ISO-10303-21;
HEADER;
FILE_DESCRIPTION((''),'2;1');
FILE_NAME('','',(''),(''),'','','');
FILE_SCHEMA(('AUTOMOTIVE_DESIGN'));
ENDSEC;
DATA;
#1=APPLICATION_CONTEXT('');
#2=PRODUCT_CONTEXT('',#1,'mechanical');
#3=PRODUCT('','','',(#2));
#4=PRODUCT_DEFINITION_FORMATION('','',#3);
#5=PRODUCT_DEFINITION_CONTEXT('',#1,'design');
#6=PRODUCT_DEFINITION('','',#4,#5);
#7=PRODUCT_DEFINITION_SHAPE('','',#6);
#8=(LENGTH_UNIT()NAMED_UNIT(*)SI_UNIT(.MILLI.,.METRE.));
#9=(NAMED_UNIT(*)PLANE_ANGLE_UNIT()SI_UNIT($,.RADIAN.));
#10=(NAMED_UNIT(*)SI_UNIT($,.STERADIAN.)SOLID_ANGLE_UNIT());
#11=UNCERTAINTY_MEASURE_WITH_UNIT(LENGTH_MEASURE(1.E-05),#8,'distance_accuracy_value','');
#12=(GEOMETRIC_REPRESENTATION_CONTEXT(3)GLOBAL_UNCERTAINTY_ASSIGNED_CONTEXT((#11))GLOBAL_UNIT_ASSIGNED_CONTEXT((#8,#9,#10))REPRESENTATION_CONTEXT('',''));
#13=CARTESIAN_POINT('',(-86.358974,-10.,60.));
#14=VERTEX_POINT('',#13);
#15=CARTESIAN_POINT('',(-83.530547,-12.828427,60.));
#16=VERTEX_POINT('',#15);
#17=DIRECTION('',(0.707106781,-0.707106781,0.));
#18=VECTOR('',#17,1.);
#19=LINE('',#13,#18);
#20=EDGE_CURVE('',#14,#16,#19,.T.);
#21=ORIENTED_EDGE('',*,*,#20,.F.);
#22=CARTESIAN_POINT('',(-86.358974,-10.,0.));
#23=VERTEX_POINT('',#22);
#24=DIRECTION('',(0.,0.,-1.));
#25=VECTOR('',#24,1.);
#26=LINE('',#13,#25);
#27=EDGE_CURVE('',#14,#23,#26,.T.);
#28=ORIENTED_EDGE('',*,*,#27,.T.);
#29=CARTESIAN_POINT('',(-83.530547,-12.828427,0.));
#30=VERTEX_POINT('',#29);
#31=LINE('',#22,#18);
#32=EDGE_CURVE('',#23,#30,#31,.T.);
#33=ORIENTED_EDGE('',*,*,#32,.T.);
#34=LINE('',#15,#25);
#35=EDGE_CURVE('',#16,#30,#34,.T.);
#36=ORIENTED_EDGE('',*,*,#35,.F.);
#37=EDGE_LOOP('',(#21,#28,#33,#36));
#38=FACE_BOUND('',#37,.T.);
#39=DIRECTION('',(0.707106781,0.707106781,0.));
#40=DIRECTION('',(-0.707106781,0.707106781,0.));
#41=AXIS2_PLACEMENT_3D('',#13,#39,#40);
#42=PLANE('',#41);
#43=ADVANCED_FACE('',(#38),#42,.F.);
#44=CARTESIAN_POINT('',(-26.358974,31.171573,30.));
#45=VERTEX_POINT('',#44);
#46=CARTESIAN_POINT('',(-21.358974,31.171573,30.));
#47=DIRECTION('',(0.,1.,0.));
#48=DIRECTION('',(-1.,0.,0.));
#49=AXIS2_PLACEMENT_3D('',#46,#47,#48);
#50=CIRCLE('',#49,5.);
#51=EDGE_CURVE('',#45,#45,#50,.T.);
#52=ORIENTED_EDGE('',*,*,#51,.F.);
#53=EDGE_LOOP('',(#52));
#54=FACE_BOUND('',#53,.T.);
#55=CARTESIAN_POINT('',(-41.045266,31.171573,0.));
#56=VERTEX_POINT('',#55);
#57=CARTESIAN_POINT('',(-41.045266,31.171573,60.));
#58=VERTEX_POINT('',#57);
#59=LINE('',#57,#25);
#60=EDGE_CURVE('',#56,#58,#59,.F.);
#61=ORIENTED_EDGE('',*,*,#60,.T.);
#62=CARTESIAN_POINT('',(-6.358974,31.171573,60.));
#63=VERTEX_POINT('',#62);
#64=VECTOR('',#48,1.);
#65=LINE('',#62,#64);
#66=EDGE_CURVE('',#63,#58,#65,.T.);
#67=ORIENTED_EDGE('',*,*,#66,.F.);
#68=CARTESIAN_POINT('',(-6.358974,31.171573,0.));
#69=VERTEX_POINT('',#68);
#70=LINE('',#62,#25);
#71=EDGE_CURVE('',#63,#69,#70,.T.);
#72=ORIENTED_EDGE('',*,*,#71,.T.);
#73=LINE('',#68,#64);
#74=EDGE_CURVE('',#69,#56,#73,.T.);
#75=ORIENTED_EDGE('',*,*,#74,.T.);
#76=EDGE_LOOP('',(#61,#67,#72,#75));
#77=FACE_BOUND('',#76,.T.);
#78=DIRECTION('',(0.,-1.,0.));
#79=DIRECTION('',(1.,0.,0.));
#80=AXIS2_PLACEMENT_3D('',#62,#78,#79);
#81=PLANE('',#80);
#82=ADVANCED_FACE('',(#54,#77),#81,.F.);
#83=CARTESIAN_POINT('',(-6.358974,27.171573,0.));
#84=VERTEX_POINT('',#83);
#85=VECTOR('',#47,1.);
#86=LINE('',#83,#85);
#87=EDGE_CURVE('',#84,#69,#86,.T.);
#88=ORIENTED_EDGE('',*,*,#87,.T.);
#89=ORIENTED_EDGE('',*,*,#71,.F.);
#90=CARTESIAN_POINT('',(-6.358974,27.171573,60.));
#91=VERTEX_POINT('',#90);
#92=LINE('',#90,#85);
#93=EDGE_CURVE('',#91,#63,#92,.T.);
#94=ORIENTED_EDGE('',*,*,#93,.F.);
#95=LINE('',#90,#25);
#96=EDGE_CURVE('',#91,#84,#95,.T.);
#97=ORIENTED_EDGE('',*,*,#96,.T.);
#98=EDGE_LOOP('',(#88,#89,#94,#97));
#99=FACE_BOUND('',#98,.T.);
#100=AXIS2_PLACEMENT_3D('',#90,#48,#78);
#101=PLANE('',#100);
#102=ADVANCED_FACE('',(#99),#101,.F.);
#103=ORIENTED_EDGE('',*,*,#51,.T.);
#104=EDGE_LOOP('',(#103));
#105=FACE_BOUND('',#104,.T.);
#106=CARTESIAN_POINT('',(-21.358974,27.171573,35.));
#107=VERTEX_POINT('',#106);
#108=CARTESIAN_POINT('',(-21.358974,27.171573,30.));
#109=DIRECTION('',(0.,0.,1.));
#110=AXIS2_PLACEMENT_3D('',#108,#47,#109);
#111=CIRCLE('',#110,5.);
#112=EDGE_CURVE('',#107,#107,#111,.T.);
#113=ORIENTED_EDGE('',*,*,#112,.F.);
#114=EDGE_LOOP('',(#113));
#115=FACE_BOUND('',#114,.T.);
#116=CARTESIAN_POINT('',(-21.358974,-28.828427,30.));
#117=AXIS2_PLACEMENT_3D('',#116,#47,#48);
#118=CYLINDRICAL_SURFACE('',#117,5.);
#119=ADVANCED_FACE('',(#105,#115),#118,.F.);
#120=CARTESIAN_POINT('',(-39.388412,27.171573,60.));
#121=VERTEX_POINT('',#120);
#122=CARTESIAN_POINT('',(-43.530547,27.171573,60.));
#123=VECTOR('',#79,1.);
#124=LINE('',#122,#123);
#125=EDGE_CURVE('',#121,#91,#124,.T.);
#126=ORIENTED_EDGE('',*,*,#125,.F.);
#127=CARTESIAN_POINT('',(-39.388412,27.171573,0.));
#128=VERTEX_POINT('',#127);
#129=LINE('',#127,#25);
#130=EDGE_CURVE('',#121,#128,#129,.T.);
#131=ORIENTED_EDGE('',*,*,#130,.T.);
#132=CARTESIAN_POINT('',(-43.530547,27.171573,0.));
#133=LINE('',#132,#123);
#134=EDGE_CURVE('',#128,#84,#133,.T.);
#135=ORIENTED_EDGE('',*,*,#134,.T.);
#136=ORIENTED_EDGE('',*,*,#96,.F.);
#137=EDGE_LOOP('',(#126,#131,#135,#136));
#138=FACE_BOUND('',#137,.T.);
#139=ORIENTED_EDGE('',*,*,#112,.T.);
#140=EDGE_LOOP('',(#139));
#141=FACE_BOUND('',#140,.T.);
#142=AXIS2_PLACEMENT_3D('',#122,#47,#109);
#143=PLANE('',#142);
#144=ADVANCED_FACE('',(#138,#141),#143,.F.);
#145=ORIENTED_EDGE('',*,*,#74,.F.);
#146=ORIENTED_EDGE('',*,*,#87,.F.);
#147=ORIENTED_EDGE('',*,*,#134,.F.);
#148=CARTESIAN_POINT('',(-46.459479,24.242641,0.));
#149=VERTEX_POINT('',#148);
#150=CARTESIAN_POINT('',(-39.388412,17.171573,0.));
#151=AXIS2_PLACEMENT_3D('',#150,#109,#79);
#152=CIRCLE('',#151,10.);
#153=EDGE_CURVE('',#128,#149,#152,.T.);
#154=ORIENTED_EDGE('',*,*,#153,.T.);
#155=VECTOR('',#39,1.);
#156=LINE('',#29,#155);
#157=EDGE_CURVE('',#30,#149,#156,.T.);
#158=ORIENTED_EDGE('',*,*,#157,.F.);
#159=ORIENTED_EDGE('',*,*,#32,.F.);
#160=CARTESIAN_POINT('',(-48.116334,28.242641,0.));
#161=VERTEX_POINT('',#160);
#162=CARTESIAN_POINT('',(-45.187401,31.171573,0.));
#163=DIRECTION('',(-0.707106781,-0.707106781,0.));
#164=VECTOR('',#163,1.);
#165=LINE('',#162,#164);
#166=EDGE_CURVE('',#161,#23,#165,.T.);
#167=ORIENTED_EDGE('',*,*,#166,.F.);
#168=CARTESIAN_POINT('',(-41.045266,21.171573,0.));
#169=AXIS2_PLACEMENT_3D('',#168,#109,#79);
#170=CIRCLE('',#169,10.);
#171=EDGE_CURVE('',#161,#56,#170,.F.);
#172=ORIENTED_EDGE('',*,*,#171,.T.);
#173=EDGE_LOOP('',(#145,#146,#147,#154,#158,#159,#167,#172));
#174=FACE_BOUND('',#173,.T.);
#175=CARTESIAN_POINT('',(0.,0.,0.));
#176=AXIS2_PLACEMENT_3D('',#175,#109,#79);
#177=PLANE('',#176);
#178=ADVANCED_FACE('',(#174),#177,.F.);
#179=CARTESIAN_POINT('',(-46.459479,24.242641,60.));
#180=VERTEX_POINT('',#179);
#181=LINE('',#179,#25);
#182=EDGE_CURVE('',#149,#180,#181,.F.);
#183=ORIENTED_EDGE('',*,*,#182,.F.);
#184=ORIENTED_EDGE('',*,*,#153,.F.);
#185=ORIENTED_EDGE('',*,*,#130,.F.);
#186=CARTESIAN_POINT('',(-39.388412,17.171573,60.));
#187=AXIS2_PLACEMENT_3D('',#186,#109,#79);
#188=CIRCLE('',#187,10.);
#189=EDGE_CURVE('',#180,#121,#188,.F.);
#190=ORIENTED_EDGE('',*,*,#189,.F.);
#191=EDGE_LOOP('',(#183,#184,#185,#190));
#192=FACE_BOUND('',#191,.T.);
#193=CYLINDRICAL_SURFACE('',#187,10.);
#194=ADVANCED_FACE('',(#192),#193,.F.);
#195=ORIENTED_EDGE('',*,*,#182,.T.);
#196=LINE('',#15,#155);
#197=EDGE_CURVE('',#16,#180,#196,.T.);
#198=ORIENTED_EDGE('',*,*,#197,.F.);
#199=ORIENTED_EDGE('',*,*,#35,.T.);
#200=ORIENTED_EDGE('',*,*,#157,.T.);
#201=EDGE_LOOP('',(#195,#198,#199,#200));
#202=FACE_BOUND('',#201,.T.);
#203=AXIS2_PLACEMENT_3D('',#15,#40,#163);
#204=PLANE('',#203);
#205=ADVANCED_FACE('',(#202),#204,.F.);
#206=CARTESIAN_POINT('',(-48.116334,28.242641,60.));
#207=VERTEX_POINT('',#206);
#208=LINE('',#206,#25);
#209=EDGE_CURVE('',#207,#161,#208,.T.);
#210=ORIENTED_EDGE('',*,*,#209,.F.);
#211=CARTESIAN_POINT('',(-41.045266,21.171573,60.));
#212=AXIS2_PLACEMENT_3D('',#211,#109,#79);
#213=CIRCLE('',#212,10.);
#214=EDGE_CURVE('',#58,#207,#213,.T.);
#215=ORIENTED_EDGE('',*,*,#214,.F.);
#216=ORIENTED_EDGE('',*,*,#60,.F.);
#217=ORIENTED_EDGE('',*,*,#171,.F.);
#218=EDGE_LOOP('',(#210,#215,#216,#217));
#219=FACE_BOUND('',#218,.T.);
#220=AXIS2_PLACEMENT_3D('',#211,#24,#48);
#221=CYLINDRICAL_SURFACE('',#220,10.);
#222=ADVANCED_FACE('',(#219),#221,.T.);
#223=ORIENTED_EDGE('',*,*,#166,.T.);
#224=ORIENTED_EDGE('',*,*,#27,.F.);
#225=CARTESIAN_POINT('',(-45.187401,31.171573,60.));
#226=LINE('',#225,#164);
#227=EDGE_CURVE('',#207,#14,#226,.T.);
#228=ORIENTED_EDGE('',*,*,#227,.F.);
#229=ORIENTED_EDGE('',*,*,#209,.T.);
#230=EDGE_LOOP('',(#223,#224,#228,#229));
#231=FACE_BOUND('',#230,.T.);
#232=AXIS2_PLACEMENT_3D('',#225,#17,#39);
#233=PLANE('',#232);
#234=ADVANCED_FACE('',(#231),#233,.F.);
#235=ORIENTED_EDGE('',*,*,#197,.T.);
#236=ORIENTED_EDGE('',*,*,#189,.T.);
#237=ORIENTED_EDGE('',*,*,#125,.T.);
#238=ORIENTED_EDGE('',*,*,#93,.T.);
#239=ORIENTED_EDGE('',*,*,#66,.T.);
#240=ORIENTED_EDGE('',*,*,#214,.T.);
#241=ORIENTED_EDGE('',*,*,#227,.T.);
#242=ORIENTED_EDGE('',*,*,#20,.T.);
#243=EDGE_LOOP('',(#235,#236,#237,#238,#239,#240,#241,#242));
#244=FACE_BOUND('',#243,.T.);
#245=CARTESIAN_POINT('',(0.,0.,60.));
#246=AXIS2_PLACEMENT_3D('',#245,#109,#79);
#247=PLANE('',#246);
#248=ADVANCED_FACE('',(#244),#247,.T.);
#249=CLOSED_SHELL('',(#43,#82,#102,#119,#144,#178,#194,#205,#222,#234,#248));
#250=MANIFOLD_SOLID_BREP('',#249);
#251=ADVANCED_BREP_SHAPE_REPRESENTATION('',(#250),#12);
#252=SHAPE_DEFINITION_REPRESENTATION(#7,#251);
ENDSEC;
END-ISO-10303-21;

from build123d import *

# Parameters (mm, degrees)
BOSS_EXTRUDE1_DEPTH = 60
FILLET1_R           = 10
SKETCH2_R           = 5
CUT_EXTRUDE1_DEPTH  = 60


with BuildPart() as part:
    # Sketch1 → Boss-Extrude1 (new body)
    with BuildSketch(Plane.XY):
        Polygon((-86.358974359, -10), (-83.530547234, -12.828427125), (-43.530547234, 27.171572875), (-6.358974359, 27.171572875), (-6.358974359, 31.171572875), (-45.187401484, 31.171572875), align=None)
    extrude(amount=BOSS_EXTRUDE1_DEPTH)

    # Fillet1
    fillet1_edges = [part.edges().sort_by_distance(p)[0] for p in [
        (-45.187401484, 31.171572875, 30),
        (-43.530547234, 27.171572875, 30),
    ]]
    fillet(fillet1_edges, radius=FILLET1_R)

    # Sketch2 → Cut-Extrude1 (cut)
    with BuildSketch(Plane(origin=(0, 31.171572875, 0), x_dir=(1, 0, 0), z_dir=(0, 1, 0))):
        with Locations(Location((-21.358974359, -30, 0), (0, 0, 180))):
            Circle(SKETCH2_R)
    extrude(amount=-CUT_EXTRUDE1_DEPTH, mode=Mode.SUBTRACT)


solid = part.part
